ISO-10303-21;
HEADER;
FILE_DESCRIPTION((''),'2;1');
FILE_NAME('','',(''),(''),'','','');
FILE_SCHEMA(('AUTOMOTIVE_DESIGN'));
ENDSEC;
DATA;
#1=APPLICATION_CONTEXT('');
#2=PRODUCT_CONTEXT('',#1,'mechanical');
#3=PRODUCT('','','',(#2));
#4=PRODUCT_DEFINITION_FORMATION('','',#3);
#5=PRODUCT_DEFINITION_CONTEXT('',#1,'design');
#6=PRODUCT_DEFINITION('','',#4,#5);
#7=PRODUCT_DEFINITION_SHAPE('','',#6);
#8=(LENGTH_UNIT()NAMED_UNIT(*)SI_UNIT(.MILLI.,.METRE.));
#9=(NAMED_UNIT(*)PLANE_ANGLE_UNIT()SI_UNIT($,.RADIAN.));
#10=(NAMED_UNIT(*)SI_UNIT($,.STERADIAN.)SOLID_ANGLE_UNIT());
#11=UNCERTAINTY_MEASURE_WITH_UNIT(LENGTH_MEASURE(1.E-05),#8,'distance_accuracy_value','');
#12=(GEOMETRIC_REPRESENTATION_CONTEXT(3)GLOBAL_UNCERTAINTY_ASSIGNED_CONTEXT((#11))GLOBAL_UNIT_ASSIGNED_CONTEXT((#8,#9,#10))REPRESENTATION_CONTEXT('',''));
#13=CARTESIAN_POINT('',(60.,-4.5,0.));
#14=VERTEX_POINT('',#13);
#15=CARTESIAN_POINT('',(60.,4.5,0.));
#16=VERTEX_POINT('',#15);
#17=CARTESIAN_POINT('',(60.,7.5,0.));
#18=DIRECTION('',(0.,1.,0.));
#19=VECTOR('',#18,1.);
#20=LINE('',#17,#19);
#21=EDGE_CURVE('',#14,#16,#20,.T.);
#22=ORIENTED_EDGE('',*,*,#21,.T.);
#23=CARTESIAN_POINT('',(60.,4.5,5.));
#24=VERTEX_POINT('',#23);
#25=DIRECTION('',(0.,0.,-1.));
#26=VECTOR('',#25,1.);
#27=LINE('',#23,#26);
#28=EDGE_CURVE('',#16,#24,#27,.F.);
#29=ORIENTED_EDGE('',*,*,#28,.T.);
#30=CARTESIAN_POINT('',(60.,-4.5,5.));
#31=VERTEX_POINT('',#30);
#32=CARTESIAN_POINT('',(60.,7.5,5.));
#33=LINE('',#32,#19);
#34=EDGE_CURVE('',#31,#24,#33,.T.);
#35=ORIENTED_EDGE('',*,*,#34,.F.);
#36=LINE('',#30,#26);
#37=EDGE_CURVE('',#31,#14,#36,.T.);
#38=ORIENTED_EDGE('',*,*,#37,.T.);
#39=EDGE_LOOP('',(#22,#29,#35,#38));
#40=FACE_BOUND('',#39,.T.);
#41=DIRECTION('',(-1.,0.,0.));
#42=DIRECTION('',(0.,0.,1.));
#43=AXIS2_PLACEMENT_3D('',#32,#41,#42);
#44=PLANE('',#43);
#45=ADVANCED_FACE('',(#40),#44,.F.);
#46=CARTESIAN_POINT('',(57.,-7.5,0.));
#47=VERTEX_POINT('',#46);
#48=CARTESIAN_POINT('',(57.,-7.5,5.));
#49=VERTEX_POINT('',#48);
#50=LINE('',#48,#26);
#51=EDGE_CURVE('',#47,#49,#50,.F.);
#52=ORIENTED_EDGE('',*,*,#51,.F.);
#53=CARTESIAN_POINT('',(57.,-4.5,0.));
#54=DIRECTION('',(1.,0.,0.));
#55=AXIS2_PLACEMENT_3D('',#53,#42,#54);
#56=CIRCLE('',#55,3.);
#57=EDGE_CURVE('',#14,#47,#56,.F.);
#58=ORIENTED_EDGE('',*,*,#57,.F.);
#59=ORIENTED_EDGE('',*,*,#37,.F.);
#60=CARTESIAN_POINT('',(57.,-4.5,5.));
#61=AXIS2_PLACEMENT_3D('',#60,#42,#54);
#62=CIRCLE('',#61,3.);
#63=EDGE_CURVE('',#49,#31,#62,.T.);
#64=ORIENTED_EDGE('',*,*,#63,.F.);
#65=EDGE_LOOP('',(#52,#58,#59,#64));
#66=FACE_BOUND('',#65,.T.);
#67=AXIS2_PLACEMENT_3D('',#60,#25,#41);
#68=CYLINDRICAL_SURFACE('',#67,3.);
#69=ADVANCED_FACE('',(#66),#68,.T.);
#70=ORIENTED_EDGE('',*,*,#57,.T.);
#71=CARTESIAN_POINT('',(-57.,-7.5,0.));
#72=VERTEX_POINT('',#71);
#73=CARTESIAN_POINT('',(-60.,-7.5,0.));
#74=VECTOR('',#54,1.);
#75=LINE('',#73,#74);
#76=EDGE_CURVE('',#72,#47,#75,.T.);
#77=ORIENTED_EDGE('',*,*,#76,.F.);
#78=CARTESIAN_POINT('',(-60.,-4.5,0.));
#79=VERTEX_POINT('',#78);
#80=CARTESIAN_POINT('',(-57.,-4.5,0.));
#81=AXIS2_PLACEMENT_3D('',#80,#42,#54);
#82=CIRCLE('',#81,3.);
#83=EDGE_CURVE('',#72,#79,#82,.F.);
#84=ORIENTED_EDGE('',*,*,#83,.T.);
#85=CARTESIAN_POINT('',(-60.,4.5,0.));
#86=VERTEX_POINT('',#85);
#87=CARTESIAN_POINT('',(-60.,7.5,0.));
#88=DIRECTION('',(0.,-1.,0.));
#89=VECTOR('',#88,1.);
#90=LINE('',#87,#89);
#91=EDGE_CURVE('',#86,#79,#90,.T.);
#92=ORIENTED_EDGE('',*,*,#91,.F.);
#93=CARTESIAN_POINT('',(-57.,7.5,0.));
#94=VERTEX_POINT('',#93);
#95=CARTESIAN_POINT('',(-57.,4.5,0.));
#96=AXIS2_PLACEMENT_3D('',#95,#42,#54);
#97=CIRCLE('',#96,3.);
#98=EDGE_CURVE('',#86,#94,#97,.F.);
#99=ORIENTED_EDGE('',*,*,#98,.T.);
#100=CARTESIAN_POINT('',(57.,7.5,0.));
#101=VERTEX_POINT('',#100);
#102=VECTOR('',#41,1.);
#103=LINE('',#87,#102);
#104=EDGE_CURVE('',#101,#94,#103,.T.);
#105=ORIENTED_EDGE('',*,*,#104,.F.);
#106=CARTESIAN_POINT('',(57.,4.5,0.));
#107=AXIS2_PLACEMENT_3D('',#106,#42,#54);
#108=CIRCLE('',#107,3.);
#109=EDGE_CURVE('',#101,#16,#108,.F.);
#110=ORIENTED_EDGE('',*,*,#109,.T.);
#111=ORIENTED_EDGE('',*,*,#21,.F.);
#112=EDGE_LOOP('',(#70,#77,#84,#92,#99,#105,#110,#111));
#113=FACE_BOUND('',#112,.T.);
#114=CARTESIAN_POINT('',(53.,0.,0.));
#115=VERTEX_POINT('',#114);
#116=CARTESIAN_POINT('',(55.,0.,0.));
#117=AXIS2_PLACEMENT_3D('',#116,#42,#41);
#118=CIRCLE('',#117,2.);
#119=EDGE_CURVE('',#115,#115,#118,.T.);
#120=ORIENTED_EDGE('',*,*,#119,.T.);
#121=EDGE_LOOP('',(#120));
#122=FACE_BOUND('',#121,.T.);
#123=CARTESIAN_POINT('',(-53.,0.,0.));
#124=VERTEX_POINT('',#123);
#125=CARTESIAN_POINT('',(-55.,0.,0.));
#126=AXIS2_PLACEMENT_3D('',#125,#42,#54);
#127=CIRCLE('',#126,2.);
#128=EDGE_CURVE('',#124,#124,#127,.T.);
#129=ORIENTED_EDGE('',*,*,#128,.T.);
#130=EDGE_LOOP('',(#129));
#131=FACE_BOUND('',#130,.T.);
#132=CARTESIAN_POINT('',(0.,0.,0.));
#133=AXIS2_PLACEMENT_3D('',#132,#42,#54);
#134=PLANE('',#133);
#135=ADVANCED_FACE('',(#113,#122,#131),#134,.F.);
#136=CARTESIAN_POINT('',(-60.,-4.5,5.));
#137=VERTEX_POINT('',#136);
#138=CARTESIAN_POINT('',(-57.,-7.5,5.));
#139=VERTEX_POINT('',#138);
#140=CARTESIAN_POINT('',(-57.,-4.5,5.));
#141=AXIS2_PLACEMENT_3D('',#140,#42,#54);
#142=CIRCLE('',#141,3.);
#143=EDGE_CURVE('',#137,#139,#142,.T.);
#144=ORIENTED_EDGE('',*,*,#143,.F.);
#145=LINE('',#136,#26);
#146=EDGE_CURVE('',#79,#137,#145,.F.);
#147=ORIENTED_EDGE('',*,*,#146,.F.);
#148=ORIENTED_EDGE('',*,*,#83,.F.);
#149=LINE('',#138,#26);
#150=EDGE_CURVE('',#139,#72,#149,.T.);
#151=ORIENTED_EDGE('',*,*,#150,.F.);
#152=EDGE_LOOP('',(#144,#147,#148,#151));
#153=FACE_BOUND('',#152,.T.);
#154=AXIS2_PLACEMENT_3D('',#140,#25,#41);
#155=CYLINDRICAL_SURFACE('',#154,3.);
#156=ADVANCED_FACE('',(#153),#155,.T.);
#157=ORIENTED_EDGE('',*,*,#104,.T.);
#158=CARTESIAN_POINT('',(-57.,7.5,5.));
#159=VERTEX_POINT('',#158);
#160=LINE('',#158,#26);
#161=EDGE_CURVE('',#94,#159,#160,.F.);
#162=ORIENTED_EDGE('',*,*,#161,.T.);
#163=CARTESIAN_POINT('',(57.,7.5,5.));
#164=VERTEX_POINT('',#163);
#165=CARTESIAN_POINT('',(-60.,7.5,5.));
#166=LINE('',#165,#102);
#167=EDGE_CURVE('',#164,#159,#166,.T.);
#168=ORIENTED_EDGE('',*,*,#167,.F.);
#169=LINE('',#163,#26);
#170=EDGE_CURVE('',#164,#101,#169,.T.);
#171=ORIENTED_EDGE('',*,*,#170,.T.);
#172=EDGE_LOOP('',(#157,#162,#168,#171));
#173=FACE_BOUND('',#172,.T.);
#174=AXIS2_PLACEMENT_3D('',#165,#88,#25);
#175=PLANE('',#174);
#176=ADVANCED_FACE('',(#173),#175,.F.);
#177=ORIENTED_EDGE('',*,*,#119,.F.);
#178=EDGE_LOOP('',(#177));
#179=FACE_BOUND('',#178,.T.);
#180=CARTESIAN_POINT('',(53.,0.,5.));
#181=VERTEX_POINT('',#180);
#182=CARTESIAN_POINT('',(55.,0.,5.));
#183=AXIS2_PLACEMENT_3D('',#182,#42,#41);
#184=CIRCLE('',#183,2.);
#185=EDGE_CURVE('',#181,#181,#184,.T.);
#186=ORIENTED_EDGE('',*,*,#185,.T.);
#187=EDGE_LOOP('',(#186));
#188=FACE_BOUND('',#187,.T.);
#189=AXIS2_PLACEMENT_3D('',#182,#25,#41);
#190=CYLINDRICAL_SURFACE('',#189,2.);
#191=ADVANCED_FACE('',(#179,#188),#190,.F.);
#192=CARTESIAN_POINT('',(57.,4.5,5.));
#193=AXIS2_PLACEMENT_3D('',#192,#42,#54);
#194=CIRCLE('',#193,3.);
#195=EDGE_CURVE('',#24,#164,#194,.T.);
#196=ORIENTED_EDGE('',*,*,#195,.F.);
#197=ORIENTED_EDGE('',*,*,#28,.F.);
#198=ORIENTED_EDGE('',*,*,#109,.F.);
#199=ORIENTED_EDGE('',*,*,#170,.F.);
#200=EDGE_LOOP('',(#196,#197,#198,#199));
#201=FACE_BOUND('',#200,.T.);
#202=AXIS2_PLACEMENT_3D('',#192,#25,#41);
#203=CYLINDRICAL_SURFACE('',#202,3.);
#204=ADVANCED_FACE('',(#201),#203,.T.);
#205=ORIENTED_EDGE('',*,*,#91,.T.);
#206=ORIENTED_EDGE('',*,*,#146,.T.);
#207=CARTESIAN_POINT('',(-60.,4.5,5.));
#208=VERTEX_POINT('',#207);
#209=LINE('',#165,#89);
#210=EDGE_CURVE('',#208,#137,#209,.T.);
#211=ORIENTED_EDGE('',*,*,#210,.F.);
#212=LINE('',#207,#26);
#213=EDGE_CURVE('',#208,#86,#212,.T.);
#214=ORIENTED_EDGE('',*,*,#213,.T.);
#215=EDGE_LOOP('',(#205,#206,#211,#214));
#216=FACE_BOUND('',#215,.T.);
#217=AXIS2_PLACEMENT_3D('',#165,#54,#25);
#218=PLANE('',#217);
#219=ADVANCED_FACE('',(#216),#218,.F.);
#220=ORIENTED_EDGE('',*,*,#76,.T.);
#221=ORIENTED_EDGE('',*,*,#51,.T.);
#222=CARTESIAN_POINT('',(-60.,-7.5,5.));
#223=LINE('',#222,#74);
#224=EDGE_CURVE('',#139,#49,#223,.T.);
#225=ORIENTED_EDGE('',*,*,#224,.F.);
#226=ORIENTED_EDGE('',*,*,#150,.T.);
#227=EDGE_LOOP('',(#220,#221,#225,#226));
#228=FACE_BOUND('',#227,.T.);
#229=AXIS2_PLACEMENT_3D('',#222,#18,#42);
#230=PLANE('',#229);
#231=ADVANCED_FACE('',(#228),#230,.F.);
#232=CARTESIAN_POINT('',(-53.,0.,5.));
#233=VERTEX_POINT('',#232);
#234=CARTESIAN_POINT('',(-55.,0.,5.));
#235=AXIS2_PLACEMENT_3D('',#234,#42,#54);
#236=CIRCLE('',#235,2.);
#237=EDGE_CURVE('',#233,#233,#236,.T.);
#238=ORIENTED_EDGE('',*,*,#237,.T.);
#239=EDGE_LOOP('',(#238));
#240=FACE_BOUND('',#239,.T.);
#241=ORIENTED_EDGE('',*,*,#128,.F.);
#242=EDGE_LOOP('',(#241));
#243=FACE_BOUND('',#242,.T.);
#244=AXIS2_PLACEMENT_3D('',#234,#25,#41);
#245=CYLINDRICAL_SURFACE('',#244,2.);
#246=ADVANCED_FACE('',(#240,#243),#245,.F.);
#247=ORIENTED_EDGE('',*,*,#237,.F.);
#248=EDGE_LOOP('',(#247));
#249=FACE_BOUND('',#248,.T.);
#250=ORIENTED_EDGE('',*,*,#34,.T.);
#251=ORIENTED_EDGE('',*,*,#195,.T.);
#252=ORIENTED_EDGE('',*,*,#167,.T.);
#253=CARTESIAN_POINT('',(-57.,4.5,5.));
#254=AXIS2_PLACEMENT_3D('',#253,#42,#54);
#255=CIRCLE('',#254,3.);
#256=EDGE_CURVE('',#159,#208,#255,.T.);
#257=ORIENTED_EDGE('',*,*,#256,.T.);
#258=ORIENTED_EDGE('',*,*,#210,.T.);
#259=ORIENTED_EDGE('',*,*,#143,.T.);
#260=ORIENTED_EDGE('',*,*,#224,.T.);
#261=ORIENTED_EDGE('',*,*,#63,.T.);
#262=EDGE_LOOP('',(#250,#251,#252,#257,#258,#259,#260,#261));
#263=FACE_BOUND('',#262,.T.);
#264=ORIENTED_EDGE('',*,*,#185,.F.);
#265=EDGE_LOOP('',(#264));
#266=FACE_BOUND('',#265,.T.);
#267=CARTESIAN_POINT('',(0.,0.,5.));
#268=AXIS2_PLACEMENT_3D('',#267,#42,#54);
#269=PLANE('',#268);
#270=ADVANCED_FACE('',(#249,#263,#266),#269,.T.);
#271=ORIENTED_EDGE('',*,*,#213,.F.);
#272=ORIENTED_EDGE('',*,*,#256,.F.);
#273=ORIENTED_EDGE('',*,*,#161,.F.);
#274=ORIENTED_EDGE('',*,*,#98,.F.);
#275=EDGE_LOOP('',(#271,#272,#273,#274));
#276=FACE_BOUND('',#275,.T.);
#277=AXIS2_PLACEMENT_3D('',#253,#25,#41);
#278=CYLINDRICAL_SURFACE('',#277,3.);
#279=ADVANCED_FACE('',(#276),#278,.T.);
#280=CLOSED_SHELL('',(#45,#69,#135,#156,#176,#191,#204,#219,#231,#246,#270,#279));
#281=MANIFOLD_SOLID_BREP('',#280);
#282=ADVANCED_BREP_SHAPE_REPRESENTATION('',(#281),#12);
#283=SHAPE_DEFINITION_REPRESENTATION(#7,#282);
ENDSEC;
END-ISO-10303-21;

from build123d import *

# Parameters (mm, degrees)
ESQUISSE1_W        = 120
ESQUISSE1_H        = 15
ESQUISSE1_R        = 2
BOSS_EXTRU_1_DEPTH = 5
CONG_1_R           = 3


with BuildPart() as part:
    # Esquisse1 → Boss.-Extru.1 (new body)
    with BuildSketch(Plane.XY):
        Rectangle(ESQUISSE1_W, ESQUISSE1_H)
        with Locations((-55, 0)):
            Circle(ESQUISSE1_R, mode=Mode.SUBTRACT)
        with Locations(Location((55, 0, 0), (0, 0, 180))):
            Circle(ESQUISSE1_R, mode=Mode.SUBTRACT)
    extrude(amount=BOSS_EXTRU_1_DEPTH)

    # Congé1
    cong_1_edges = [part.edges().sort_by_distance(p)[0] for p in [
        (60, -7.5, 2.5),
        (-60, -7.5, 2.5),
        (-60, 7.5, 2.5),
        (60, 7.5, 2.5),
    ]]
    fillet(cong_1_edges, radius=CONG_1_R)


solid = part.part
